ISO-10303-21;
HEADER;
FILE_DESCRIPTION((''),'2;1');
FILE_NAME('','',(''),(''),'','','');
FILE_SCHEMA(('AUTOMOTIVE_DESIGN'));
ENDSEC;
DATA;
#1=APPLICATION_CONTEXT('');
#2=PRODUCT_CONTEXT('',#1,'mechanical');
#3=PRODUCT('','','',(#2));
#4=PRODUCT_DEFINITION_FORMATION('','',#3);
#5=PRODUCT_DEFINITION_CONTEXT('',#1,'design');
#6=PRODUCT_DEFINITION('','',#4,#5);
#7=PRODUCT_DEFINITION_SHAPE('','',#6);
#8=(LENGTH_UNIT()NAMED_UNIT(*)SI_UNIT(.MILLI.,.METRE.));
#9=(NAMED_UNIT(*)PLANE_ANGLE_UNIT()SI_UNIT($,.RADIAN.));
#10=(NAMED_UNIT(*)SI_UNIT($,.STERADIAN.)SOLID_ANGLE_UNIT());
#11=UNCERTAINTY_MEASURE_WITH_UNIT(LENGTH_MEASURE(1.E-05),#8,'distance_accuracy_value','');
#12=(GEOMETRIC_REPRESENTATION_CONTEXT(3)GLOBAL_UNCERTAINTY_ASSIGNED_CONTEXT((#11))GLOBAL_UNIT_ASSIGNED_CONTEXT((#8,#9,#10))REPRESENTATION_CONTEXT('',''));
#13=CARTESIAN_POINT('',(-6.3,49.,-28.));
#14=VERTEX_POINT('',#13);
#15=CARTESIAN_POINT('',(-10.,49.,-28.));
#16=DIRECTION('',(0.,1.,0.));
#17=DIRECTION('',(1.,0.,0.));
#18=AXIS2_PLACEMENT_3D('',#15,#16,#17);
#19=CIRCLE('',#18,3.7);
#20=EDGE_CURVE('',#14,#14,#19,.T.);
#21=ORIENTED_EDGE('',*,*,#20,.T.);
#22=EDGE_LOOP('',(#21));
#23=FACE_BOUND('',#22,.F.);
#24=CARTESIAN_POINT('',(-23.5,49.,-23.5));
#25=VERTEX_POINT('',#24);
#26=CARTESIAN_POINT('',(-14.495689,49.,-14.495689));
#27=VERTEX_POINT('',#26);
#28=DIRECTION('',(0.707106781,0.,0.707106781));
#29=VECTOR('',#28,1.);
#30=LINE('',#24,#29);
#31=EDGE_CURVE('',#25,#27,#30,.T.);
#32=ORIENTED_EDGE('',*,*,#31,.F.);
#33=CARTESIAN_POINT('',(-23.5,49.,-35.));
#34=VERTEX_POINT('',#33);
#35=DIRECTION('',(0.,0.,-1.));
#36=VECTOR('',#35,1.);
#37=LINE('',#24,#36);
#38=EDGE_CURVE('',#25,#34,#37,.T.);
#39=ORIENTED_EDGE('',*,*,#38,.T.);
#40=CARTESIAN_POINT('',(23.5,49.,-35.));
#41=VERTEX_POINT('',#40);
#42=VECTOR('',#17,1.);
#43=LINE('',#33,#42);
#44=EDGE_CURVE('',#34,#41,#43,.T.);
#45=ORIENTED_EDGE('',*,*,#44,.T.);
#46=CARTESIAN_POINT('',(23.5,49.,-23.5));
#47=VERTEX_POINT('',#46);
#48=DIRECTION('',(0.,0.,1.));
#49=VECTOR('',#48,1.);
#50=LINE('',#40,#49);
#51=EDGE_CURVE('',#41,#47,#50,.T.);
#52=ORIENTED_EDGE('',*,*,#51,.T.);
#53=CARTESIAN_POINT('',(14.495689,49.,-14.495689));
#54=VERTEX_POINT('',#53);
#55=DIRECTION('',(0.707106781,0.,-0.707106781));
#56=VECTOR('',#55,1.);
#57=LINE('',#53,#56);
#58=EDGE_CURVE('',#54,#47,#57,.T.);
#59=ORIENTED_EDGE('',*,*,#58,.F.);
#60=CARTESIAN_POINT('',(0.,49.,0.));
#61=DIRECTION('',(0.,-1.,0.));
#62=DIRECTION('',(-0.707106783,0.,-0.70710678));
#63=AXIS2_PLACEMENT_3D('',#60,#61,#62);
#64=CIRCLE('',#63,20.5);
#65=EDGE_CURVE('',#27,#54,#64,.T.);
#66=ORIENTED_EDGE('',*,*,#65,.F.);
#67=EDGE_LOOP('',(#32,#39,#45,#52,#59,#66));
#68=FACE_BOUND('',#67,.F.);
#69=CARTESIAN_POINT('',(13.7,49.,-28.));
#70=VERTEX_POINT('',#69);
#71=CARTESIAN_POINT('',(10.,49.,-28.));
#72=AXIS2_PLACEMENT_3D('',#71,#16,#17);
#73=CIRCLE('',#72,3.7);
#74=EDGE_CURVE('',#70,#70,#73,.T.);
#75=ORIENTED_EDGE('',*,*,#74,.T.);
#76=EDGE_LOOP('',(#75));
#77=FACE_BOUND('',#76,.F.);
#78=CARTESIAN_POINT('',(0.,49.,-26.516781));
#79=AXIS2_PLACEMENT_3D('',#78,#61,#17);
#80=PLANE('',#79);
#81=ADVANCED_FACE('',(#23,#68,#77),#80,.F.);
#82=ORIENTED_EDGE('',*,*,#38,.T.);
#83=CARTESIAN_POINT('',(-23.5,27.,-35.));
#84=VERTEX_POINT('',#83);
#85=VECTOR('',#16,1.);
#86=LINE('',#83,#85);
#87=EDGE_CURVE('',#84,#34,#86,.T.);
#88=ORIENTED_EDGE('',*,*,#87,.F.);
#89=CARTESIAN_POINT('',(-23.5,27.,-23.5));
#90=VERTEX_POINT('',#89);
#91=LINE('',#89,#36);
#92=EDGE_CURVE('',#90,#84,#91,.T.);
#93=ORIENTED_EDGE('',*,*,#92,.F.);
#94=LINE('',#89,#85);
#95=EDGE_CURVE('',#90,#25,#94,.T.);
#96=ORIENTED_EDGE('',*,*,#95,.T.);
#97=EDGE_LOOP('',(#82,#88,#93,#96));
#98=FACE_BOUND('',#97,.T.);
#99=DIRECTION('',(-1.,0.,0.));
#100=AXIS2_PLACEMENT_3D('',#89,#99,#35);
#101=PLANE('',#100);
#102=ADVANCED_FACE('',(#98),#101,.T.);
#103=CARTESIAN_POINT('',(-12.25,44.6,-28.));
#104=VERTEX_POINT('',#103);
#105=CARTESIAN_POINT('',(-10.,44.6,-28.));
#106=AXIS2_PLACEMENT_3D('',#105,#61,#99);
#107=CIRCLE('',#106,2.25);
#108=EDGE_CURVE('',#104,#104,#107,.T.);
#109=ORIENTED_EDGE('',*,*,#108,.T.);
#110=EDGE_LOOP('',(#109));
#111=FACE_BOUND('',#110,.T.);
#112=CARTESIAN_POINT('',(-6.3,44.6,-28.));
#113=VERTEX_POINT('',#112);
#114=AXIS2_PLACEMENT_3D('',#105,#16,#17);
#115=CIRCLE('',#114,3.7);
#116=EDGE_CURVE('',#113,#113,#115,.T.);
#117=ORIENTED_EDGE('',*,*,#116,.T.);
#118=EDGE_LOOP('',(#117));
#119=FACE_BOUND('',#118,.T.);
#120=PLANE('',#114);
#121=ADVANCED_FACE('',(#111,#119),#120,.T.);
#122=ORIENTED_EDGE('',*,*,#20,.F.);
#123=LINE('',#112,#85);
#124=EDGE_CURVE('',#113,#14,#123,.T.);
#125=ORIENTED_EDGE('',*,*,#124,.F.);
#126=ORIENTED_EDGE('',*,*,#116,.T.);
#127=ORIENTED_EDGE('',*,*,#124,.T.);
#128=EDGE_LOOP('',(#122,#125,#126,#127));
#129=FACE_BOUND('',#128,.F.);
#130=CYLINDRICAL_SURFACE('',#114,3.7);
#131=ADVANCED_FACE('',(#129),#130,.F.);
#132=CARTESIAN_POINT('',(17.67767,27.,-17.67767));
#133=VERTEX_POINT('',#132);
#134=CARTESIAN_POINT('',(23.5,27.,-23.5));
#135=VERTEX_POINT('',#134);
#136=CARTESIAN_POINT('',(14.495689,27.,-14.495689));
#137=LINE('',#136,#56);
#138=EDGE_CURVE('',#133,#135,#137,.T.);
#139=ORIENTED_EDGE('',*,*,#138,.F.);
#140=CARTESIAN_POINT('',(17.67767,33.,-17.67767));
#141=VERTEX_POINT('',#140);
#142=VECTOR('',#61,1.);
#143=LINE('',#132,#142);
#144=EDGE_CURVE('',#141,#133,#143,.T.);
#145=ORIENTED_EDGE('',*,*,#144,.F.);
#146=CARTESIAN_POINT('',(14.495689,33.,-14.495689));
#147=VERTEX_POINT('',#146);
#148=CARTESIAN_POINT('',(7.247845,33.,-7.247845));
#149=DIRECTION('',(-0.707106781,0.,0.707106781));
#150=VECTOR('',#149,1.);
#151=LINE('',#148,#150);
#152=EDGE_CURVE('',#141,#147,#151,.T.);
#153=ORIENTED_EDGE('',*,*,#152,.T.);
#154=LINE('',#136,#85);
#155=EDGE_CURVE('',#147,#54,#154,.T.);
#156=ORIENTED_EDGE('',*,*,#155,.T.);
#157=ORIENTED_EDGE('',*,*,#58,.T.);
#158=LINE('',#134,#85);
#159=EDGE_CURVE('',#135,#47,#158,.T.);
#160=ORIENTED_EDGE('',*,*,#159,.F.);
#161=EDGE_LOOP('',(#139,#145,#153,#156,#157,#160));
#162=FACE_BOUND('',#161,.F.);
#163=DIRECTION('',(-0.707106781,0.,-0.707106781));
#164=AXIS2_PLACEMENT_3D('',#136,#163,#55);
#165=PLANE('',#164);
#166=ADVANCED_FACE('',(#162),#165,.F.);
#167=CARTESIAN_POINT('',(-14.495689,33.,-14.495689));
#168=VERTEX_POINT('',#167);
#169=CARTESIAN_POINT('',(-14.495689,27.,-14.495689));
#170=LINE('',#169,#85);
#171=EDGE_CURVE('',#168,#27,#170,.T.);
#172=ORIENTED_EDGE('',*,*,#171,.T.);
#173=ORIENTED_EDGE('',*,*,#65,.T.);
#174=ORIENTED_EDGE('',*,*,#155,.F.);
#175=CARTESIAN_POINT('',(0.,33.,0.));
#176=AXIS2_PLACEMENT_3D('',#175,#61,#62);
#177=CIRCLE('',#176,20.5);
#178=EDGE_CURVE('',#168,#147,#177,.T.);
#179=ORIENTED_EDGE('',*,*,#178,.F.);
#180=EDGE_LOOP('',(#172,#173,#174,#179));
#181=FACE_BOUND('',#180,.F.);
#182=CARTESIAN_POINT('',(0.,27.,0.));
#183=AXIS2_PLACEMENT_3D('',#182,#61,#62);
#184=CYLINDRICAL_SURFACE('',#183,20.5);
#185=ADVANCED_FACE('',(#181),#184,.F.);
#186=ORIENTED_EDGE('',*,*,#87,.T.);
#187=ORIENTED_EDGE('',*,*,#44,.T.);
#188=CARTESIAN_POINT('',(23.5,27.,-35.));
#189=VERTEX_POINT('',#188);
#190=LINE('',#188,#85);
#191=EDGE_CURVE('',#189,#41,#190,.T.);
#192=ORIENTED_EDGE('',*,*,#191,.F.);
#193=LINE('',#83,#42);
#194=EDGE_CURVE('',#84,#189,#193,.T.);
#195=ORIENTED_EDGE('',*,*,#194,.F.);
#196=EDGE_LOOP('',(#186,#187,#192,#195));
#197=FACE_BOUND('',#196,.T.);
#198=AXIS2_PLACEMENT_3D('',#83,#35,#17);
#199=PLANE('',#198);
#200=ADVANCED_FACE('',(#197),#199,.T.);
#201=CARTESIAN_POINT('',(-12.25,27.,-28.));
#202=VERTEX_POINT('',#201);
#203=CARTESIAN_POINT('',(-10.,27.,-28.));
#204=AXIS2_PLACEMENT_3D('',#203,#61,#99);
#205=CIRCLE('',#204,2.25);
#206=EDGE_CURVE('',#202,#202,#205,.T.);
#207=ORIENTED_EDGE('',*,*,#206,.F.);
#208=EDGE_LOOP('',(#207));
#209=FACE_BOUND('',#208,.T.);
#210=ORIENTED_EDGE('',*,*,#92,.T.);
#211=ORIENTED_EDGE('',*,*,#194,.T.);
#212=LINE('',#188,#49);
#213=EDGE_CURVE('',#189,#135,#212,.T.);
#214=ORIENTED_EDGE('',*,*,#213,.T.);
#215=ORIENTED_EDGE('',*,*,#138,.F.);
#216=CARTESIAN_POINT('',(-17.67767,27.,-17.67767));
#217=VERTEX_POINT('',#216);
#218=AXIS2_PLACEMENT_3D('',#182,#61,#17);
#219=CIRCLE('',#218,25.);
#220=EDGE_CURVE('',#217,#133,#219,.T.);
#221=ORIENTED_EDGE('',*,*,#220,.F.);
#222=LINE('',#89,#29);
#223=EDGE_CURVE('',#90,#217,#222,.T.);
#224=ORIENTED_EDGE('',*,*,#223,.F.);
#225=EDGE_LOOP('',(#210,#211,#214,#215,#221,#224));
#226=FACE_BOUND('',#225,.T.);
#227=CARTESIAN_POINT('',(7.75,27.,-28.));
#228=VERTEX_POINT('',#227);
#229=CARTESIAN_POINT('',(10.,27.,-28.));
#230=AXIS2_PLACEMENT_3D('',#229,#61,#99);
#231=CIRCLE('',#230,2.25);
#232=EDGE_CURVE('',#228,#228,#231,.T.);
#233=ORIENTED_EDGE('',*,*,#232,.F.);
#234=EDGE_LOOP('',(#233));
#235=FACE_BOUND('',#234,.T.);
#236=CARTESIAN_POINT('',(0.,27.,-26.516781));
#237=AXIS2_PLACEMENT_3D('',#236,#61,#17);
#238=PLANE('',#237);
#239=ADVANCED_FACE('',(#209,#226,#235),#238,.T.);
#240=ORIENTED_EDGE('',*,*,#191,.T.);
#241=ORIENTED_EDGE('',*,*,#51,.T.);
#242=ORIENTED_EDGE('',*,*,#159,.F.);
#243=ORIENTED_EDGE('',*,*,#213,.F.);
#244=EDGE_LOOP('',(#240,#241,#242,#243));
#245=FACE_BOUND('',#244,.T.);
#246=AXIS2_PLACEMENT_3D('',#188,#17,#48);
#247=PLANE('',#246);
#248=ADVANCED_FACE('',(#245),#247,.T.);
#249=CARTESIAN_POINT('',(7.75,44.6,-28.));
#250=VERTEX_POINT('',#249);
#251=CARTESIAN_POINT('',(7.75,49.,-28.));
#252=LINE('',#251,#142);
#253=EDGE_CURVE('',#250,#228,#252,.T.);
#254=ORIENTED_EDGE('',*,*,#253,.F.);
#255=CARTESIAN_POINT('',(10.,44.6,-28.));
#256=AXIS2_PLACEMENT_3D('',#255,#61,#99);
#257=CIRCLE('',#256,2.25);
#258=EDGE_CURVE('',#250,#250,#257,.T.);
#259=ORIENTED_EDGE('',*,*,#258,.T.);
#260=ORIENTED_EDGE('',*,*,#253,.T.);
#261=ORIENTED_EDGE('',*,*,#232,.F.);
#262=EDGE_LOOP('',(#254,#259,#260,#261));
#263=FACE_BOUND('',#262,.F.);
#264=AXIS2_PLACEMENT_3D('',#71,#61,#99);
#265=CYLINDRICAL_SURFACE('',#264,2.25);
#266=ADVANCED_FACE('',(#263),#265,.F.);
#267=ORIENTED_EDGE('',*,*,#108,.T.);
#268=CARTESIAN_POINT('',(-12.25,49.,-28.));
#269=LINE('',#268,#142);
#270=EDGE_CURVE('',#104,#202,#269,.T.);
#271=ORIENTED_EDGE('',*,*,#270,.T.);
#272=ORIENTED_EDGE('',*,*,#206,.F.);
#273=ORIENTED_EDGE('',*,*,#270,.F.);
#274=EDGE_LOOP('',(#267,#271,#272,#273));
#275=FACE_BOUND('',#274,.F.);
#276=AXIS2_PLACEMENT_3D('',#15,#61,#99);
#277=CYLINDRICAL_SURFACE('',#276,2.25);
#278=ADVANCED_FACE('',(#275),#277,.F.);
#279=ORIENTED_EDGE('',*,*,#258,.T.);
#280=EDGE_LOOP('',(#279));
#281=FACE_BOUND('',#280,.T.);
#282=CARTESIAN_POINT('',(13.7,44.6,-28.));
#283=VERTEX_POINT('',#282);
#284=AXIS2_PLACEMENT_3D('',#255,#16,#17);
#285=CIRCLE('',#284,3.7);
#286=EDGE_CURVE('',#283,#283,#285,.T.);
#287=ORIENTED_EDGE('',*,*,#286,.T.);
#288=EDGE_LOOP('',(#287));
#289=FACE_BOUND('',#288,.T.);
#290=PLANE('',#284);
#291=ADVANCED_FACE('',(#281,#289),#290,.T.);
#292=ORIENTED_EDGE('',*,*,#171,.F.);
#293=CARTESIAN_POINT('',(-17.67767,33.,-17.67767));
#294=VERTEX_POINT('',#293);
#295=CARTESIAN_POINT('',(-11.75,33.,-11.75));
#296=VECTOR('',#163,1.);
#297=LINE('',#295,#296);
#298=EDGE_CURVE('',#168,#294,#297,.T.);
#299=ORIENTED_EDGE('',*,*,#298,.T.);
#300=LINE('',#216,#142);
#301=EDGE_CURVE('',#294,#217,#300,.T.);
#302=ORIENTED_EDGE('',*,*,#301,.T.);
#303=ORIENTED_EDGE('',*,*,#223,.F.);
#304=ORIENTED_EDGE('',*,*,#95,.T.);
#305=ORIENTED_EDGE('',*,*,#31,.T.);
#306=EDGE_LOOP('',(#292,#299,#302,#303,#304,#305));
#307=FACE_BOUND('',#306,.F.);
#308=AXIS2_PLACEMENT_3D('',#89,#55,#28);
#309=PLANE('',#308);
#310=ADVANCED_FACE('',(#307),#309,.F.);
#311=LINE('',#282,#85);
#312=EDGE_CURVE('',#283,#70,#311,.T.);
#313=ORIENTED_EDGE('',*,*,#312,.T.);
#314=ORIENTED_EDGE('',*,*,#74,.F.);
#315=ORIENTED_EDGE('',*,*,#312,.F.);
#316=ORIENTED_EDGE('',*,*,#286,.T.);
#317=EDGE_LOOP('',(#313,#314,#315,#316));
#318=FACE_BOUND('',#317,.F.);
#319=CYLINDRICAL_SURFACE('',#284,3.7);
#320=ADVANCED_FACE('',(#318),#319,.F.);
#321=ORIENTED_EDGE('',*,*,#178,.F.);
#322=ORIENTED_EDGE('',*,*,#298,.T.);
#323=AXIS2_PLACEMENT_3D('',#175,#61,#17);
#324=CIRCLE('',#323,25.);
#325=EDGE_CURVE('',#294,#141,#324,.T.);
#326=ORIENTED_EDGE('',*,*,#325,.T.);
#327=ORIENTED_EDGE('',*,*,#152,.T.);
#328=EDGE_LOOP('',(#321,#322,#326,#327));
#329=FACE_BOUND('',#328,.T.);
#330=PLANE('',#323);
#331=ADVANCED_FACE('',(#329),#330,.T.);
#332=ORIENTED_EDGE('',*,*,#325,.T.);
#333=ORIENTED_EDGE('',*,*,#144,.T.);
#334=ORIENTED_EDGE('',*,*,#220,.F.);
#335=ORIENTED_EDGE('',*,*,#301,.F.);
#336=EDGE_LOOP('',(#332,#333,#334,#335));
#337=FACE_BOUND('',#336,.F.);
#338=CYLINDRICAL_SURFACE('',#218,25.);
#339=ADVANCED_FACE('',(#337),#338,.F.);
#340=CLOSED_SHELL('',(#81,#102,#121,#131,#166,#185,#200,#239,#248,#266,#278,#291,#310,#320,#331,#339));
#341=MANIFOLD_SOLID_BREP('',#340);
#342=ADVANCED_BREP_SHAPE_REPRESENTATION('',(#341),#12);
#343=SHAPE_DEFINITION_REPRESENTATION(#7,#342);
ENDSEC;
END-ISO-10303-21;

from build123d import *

# Parameters (mm, degrees)
PAD046_DEPTH     = 22
SKETCH_R         = 25
POCKET_DEPTH     = 6
HOLE_D           = 4.5
HOLE_CBORE_D     = 7.4
HOLE_CBORE_DEPTH = 4.4


with BuildPart() as part:
    # Sketch078 → Pad046 (new body)
    with BuildSketch(Plane.XZ.offset(-27)):
        with BuildLine():
            Line((-23.5, -35), (23.5, -35))
            Line((23.5, -35), (23.5, -23.5))
            Line((14.495689, -14.495689), (23.5, -23.5))
            ThreePointArc((-14.495689, -14.495689), (0, -20.5), (14.495689, -14.495689))
            Line((-23.5, -23.5), (-14.495689, -14.495689))
            Line((-23.5, -23.5), (-23.5, -35))
        make_face()
    extrude(amount=-PAD046_DEPTH)

    # Sketch → Pocket (cut)
    with BuildSketch(Plane.XZ.offset(-27)):
        Circle(SKETCH_R)
    extrude(amount=-POCKET_DEPTH, mode=Mode.SUBTRACT)

    # Hole (through all)
    with Locations(Plane(origin=(0, 49, 0), x_dir=(1, 0, 0), z_dir=(0, 1, 0))):
        with Locations((-10, 28), (10, 28)):
            CounterBoreHole(HOLE_D / 2, HOLE_CBORE_D / 2, HOLE_CBORE_DEPTH)


solid = part.part
